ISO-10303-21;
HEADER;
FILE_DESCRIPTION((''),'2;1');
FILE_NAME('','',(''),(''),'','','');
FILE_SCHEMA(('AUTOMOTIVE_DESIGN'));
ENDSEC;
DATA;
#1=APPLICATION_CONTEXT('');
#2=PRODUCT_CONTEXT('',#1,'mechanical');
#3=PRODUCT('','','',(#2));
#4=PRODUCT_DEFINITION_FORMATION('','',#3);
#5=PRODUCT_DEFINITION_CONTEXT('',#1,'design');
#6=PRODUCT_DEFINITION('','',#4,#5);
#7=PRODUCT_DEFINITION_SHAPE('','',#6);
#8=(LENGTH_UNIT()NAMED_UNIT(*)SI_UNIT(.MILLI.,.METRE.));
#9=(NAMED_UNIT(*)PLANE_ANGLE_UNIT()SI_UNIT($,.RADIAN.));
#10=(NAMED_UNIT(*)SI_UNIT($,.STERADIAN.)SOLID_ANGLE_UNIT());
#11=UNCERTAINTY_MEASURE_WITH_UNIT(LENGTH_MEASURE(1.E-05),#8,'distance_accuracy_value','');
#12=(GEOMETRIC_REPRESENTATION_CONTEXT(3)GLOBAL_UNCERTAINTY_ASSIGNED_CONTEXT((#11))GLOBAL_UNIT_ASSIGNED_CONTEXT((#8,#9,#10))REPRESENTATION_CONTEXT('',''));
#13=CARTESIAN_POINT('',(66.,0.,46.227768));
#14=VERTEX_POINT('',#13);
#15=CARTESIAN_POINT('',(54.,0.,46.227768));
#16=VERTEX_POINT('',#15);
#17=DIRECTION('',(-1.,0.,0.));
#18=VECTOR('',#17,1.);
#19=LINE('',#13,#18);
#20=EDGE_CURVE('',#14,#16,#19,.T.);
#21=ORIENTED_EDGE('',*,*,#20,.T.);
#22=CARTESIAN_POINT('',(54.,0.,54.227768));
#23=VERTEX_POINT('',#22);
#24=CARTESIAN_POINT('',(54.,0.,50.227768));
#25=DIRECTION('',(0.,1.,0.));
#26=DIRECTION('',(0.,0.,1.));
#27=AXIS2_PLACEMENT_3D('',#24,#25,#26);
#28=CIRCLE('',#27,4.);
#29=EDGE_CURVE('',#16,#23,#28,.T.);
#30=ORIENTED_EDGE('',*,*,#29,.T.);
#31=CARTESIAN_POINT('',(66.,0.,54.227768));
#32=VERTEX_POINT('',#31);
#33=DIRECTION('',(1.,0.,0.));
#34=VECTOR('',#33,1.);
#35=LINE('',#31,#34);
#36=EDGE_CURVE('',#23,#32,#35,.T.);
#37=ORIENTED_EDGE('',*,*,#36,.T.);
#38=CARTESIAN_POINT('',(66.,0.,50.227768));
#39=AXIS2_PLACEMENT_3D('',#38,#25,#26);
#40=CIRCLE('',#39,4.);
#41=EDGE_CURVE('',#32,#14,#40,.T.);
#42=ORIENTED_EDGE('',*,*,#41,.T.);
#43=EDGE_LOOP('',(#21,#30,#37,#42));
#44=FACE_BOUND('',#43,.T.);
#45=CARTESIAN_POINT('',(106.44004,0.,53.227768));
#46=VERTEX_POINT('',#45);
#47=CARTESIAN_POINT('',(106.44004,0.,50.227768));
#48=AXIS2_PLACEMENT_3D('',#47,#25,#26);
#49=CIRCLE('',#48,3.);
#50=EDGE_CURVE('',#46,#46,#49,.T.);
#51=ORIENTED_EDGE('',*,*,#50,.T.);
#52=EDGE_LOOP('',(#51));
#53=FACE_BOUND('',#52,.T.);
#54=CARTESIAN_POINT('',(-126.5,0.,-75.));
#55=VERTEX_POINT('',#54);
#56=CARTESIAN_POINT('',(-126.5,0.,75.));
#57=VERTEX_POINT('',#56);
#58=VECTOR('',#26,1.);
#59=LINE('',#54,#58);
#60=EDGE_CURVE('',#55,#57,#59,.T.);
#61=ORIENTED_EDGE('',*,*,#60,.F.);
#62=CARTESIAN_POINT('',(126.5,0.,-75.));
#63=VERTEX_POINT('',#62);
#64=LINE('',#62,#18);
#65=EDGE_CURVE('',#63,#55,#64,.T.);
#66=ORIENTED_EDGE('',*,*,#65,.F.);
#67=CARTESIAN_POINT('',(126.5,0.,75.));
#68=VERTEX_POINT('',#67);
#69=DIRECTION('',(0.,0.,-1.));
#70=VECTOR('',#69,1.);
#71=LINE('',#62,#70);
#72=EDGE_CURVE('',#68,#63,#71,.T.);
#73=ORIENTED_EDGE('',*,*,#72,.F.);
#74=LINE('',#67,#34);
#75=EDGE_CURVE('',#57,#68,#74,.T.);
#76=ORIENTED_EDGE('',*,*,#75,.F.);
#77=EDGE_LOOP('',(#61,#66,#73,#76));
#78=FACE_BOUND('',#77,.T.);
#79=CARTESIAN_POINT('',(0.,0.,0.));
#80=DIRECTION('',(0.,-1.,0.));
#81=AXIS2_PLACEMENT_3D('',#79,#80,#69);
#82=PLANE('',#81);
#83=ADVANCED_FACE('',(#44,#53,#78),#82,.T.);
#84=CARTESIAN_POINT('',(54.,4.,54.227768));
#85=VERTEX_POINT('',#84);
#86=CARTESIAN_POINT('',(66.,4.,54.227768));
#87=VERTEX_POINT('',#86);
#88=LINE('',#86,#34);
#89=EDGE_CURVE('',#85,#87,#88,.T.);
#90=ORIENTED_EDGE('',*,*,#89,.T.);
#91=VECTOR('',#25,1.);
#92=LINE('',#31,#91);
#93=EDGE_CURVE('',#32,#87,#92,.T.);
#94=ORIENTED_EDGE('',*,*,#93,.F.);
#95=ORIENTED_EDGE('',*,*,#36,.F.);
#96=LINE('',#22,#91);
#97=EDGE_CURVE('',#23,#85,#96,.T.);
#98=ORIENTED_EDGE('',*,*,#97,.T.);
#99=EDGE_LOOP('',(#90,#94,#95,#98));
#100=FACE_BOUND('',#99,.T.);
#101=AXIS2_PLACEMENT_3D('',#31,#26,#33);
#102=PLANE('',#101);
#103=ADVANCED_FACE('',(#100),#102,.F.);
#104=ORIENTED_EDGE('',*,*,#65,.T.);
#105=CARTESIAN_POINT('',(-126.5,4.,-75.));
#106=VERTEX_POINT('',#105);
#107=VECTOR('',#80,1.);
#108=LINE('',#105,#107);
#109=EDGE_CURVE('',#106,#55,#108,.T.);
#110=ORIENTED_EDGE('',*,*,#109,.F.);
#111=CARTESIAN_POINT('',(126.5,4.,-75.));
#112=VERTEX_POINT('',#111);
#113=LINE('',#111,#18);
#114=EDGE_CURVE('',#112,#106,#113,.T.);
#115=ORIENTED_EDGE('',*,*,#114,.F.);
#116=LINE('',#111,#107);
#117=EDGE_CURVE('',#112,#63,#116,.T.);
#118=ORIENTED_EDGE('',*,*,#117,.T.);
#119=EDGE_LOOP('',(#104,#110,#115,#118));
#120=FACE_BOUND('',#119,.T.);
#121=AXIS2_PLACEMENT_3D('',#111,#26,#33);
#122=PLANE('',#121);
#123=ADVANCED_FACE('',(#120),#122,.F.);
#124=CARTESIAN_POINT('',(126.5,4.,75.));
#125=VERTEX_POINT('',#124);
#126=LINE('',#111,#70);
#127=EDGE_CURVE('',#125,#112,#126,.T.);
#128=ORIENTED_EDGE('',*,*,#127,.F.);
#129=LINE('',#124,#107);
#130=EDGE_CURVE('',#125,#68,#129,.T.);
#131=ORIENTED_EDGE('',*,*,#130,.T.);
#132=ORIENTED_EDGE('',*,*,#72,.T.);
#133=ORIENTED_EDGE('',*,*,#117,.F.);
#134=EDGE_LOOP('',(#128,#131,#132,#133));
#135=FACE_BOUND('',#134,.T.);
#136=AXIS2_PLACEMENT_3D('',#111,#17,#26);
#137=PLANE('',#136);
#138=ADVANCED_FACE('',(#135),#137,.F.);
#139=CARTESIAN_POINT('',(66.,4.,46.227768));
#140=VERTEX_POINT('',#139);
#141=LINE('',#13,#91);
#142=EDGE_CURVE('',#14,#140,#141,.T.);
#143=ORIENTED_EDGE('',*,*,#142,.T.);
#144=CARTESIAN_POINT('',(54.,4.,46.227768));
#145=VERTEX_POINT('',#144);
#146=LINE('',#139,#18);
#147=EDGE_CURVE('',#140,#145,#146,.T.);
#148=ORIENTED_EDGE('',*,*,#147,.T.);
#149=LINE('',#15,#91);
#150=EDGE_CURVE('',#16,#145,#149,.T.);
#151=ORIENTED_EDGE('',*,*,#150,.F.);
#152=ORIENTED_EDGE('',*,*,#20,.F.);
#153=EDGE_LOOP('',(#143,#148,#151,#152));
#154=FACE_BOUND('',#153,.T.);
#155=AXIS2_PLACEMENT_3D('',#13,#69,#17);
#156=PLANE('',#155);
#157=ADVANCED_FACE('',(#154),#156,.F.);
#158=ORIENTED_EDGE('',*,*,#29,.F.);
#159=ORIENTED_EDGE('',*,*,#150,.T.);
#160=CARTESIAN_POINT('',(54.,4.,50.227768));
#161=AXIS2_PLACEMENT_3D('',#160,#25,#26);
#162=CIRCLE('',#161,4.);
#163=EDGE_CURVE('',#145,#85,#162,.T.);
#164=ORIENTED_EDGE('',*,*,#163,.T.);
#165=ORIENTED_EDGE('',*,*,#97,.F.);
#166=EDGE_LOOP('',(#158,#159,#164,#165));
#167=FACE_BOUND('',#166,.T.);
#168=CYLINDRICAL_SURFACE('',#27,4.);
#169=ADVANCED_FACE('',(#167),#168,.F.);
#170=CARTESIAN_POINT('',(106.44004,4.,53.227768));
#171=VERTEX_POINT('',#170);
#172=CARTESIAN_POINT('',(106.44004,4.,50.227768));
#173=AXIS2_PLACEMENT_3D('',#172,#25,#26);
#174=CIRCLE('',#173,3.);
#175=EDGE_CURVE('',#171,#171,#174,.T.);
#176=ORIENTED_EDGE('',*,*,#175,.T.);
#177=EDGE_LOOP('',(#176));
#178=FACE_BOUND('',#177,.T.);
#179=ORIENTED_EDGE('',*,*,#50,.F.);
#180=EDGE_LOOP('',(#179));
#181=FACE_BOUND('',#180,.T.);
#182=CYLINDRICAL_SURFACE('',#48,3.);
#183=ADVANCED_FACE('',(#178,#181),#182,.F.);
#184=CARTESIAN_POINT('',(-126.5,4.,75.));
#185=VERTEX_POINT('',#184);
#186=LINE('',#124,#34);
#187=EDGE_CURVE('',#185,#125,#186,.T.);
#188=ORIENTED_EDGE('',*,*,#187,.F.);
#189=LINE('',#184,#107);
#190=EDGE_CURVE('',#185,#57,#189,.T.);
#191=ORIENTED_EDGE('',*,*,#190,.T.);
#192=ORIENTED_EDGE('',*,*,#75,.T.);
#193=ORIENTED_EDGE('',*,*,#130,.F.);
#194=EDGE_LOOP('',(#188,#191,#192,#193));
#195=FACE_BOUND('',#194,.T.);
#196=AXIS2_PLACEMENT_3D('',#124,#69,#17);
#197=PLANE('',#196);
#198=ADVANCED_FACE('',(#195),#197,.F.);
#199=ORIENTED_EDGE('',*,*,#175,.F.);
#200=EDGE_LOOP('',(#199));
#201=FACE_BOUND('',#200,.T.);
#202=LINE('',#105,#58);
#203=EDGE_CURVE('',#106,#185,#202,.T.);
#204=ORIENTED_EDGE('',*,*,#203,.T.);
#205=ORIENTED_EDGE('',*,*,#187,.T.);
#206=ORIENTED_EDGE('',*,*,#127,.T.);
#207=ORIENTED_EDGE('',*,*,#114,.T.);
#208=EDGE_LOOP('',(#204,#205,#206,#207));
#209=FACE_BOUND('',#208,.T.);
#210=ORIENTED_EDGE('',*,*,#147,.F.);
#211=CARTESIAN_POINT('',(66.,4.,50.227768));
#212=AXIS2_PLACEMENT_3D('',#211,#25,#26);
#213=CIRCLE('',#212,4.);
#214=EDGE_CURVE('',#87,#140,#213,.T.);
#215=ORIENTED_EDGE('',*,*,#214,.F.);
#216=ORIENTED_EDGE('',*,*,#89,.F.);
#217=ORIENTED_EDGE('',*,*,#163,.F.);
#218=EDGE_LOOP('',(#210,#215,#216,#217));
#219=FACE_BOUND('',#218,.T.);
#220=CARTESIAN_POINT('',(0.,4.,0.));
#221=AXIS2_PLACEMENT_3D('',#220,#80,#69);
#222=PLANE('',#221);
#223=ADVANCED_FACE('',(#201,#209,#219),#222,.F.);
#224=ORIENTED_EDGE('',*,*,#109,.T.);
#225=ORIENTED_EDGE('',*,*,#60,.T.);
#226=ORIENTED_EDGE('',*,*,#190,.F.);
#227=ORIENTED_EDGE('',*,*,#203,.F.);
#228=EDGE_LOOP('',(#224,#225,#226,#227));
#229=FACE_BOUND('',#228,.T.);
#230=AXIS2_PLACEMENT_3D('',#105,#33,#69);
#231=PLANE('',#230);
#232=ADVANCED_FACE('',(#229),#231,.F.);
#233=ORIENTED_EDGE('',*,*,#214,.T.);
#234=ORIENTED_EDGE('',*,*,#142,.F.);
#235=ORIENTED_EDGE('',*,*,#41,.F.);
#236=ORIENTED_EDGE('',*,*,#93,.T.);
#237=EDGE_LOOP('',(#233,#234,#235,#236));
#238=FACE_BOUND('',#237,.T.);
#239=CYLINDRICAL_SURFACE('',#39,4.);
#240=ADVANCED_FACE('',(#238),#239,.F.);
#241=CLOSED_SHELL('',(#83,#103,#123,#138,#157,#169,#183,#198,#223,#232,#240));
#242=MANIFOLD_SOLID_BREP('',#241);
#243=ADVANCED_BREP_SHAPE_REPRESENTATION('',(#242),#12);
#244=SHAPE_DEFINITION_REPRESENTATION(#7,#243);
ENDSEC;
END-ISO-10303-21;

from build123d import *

# Parameters (mm, degrees)
SKETCH2_W           = 253
SKETCH2_H           = 150
BOSS_EXTRUDE1_DEPTH = 4
SKETCH3_R           = 3
CUT_EXTRUDE1_DEPTH  = 148.116450474


with BuildPart() as part:
    # Sketch2 → Boss-Extrude1 (new body)
    with BuildSketch(Plane(origin=(0, 0, 0), x_dir=(1, 0, 0), z_dir=(0, 1, 0))):
        Rectangle(SKETCH2_W, SKETCH2_H)
    extrude(amount=BOSS_EXTRUDE1_DEPTH)

    # Sketch3 → Cut-Extrude1 (cut, through all)
    with BuildSketch(Plane(origin=(0, 4, 0), x_dir=(1, 0, 0), z_dir=(0, 1, 0))):
        with Locations(Location((106.440039591, -50.227768214, 0), (0, 0, 270))):
            Circle(SKETCH3_R)
        with BuildLine():
            Line((66, -54.227768214), (54, -54.227768214))
            ThreePointArc((54, -54.227768214), (50, -50.227768214), (54, -46.227768214))
            Line((54, -46.227768214), (66, -46.227768214))
            ThreePointArc((66, -46.227768214), (70, -50.227768214), (66, -54.227768214))
        make_face()
    extrude(amount=-CUT_EXTRUDE1_DEPTH, mode=Mode.SUBTRACT)


solid = part.part
